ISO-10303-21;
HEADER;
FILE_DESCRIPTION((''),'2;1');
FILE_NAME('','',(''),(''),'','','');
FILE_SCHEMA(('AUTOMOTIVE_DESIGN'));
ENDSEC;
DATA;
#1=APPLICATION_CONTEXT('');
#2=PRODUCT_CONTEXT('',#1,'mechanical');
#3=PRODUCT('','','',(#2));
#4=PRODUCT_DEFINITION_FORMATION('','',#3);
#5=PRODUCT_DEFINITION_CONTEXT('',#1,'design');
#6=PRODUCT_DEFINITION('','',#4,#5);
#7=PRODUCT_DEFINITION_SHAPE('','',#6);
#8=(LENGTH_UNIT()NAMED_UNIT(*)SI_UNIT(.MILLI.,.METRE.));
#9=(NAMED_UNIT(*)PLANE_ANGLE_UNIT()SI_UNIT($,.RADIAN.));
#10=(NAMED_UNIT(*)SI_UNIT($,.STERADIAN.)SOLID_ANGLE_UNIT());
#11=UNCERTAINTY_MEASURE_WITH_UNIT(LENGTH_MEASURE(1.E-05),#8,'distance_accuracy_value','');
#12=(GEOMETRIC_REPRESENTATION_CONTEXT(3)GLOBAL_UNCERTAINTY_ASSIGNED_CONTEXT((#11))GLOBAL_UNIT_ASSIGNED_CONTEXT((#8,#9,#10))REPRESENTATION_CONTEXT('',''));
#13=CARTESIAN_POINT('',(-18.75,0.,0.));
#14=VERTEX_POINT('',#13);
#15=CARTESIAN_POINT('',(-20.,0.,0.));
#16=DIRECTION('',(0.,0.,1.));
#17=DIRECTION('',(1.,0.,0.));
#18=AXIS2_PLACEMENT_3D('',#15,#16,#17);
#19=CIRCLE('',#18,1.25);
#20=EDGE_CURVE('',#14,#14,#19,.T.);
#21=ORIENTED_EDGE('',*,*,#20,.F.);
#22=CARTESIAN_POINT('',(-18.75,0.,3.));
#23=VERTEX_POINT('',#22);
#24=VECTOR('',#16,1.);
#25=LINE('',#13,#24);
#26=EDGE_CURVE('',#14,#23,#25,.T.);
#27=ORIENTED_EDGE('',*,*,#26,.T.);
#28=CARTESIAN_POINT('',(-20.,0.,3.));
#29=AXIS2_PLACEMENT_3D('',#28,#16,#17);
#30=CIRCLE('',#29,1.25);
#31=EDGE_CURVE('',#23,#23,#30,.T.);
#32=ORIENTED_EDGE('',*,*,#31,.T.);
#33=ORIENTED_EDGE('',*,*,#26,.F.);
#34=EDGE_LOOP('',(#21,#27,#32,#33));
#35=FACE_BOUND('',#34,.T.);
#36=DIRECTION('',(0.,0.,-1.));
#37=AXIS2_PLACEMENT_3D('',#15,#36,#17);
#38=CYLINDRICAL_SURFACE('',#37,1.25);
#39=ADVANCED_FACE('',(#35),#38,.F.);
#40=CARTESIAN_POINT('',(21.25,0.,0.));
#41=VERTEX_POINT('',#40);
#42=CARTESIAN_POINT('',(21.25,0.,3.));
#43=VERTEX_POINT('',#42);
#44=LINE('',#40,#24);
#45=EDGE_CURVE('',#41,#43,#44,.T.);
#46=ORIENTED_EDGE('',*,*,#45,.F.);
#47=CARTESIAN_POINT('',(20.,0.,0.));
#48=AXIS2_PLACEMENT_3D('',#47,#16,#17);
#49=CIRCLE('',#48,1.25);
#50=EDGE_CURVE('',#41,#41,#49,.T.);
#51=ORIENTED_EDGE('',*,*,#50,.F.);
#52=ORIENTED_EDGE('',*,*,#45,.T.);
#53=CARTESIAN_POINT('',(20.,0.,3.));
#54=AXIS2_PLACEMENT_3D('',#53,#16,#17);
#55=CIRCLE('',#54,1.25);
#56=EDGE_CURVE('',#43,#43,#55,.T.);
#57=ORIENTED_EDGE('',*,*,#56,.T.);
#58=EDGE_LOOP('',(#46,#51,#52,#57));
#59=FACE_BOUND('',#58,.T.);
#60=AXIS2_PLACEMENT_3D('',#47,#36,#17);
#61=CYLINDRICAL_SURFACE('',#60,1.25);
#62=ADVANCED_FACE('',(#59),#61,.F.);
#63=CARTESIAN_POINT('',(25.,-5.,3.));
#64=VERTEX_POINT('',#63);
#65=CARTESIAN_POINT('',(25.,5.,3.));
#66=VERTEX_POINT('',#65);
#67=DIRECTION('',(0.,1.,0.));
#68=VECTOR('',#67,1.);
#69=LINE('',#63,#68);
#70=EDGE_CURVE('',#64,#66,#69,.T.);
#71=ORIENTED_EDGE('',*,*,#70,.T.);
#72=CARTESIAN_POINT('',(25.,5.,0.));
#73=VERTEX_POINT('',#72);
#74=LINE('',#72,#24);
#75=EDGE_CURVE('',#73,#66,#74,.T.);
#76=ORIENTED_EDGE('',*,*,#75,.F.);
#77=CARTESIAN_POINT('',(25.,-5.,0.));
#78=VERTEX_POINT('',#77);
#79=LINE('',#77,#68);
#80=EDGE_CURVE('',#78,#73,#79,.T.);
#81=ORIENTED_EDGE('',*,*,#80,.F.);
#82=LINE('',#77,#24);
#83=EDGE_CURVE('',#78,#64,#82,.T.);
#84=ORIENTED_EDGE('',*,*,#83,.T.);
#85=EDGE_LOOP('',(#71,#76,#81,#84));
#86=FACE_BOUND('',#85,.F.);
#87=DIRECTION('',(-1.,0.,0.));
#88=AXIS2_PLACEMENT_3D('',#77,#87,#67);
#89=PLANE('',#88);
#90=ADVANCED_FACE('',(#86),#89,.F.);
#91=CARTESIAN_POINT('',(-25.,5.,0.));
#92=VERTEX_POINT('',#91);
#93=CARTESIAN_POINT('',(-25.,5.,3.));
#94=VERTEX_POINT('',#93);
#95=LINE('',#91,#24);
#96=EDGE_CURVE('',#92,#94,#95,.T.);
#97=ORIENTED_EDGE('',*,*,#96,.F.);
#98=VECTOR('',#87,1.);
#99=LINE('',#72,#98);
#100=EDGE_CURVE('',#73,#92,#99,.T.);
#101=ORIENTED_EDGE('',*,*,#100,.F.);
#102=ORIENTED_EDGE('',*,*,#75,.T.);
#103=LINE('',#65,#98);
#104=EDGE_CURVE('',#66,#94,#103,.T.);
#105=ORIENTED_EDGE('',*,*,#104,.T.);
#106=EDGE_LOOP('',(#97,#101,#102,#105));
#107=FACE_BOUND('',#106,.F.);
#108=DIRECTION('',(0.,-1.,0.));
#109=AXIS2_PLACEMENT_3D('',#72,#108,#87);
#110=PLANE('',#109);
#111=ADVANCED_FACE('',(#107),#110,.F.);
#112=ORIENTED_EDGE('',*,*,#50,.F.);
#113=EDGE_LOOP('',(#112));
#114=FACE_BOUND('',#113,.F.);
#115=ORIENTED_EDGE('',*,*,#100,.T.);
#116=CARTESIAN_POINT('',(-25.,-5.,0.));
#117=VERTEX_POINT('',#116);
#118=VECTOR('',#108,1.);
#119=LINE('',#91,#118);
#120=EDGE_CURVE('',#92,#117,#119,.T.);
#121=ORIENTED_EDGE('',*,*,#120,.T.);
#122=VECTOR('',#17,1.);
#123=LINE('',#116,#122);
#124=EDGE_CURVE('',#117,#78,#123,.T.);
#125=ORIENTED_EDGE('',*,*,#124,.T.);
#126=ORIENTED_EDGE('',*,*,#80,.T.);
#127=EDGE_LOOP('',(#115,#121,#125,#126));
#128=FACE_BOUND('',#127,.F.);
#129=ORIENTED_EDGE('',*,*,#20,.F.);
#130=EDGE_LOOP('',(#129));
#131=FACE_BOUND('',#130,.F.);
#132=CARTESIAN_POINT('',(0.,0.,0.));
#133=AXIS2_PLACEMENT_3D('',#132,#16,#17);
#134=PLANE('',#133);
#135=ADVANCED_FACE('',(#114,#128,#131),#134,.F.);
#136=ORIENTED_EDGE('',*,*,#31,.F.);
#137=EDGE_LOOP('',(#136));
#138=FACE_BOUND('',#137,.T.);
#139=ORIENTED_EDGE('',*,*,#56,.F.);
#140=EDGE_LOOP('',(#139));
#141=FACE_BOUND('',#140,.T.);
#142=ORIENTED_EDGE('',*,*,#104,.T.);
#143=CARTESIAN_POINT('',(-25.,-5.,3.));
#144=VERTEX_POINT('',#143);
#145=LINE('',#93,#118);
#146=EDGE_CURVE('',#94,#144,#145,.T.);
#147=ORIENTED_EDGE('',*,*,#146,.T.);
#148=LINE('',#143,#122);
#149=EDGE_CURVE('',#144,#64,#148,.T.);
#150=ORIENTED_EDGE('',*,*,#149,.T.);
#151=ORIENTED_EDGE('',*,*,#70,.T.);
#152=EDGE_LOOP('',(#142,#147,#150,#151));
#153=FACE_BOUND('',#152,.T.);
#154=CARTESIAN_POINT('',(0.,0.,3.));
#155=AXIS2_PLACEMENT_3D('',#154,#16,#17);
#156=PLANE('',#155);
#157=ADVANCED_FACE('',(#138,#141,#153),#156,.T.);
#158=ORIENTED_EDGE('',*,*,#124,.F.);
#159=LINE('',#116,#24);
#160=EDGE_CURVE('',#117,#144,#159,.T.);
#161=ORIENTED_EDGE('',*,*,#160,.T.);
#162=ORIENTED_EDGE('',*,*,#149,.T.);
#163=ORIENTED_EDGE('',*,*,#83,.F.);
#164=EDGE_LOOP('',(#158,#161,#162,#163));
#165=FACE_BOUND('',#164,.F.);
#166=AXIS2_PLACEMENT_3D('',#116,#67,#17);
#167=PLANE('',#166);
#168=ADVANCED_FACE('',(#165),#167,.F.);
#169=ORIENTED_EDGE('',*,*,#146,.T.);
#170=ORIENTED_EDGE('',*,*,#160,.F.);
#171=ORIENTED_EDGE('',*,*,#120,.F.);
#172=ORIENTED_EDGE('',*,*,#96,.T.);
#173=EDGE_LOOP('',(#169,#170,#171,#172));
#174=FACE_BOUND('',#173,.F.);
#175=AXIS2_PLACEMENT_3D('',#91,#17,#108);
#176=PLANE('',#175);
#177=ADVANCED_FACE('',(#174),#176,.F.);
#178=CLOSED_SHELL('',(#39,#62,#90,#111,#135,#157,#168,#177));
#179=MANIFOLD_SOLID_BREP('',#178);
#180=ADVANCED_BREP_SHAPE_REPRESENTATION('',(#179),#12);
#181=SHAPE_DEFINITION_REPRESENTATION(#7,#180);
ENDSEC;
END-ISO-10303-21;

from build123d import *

# Parameters (mm, degrees)
F0_R     = 1.25
F1_DEPTH = 3


with BuildPart() as f1:
    # F0 (on Top) → F1 (new body)
    with BuildSketch(Plane.XY):
        Polygon((25, 5), (-25, 5), (-25, -5), (-5, -5), (0, -5), (4.999955, -5), (25, -5), align=None)
        with Locations((-20, 0)):
            Circle(F0_R, mode=Mode.SUBTRACT)
        with Locations((20, 0)):
            Circle(F0_R, mode=Mode.SUBTRACT)
    extrude(amount=F1_DEPTH)


solid = f1.part
